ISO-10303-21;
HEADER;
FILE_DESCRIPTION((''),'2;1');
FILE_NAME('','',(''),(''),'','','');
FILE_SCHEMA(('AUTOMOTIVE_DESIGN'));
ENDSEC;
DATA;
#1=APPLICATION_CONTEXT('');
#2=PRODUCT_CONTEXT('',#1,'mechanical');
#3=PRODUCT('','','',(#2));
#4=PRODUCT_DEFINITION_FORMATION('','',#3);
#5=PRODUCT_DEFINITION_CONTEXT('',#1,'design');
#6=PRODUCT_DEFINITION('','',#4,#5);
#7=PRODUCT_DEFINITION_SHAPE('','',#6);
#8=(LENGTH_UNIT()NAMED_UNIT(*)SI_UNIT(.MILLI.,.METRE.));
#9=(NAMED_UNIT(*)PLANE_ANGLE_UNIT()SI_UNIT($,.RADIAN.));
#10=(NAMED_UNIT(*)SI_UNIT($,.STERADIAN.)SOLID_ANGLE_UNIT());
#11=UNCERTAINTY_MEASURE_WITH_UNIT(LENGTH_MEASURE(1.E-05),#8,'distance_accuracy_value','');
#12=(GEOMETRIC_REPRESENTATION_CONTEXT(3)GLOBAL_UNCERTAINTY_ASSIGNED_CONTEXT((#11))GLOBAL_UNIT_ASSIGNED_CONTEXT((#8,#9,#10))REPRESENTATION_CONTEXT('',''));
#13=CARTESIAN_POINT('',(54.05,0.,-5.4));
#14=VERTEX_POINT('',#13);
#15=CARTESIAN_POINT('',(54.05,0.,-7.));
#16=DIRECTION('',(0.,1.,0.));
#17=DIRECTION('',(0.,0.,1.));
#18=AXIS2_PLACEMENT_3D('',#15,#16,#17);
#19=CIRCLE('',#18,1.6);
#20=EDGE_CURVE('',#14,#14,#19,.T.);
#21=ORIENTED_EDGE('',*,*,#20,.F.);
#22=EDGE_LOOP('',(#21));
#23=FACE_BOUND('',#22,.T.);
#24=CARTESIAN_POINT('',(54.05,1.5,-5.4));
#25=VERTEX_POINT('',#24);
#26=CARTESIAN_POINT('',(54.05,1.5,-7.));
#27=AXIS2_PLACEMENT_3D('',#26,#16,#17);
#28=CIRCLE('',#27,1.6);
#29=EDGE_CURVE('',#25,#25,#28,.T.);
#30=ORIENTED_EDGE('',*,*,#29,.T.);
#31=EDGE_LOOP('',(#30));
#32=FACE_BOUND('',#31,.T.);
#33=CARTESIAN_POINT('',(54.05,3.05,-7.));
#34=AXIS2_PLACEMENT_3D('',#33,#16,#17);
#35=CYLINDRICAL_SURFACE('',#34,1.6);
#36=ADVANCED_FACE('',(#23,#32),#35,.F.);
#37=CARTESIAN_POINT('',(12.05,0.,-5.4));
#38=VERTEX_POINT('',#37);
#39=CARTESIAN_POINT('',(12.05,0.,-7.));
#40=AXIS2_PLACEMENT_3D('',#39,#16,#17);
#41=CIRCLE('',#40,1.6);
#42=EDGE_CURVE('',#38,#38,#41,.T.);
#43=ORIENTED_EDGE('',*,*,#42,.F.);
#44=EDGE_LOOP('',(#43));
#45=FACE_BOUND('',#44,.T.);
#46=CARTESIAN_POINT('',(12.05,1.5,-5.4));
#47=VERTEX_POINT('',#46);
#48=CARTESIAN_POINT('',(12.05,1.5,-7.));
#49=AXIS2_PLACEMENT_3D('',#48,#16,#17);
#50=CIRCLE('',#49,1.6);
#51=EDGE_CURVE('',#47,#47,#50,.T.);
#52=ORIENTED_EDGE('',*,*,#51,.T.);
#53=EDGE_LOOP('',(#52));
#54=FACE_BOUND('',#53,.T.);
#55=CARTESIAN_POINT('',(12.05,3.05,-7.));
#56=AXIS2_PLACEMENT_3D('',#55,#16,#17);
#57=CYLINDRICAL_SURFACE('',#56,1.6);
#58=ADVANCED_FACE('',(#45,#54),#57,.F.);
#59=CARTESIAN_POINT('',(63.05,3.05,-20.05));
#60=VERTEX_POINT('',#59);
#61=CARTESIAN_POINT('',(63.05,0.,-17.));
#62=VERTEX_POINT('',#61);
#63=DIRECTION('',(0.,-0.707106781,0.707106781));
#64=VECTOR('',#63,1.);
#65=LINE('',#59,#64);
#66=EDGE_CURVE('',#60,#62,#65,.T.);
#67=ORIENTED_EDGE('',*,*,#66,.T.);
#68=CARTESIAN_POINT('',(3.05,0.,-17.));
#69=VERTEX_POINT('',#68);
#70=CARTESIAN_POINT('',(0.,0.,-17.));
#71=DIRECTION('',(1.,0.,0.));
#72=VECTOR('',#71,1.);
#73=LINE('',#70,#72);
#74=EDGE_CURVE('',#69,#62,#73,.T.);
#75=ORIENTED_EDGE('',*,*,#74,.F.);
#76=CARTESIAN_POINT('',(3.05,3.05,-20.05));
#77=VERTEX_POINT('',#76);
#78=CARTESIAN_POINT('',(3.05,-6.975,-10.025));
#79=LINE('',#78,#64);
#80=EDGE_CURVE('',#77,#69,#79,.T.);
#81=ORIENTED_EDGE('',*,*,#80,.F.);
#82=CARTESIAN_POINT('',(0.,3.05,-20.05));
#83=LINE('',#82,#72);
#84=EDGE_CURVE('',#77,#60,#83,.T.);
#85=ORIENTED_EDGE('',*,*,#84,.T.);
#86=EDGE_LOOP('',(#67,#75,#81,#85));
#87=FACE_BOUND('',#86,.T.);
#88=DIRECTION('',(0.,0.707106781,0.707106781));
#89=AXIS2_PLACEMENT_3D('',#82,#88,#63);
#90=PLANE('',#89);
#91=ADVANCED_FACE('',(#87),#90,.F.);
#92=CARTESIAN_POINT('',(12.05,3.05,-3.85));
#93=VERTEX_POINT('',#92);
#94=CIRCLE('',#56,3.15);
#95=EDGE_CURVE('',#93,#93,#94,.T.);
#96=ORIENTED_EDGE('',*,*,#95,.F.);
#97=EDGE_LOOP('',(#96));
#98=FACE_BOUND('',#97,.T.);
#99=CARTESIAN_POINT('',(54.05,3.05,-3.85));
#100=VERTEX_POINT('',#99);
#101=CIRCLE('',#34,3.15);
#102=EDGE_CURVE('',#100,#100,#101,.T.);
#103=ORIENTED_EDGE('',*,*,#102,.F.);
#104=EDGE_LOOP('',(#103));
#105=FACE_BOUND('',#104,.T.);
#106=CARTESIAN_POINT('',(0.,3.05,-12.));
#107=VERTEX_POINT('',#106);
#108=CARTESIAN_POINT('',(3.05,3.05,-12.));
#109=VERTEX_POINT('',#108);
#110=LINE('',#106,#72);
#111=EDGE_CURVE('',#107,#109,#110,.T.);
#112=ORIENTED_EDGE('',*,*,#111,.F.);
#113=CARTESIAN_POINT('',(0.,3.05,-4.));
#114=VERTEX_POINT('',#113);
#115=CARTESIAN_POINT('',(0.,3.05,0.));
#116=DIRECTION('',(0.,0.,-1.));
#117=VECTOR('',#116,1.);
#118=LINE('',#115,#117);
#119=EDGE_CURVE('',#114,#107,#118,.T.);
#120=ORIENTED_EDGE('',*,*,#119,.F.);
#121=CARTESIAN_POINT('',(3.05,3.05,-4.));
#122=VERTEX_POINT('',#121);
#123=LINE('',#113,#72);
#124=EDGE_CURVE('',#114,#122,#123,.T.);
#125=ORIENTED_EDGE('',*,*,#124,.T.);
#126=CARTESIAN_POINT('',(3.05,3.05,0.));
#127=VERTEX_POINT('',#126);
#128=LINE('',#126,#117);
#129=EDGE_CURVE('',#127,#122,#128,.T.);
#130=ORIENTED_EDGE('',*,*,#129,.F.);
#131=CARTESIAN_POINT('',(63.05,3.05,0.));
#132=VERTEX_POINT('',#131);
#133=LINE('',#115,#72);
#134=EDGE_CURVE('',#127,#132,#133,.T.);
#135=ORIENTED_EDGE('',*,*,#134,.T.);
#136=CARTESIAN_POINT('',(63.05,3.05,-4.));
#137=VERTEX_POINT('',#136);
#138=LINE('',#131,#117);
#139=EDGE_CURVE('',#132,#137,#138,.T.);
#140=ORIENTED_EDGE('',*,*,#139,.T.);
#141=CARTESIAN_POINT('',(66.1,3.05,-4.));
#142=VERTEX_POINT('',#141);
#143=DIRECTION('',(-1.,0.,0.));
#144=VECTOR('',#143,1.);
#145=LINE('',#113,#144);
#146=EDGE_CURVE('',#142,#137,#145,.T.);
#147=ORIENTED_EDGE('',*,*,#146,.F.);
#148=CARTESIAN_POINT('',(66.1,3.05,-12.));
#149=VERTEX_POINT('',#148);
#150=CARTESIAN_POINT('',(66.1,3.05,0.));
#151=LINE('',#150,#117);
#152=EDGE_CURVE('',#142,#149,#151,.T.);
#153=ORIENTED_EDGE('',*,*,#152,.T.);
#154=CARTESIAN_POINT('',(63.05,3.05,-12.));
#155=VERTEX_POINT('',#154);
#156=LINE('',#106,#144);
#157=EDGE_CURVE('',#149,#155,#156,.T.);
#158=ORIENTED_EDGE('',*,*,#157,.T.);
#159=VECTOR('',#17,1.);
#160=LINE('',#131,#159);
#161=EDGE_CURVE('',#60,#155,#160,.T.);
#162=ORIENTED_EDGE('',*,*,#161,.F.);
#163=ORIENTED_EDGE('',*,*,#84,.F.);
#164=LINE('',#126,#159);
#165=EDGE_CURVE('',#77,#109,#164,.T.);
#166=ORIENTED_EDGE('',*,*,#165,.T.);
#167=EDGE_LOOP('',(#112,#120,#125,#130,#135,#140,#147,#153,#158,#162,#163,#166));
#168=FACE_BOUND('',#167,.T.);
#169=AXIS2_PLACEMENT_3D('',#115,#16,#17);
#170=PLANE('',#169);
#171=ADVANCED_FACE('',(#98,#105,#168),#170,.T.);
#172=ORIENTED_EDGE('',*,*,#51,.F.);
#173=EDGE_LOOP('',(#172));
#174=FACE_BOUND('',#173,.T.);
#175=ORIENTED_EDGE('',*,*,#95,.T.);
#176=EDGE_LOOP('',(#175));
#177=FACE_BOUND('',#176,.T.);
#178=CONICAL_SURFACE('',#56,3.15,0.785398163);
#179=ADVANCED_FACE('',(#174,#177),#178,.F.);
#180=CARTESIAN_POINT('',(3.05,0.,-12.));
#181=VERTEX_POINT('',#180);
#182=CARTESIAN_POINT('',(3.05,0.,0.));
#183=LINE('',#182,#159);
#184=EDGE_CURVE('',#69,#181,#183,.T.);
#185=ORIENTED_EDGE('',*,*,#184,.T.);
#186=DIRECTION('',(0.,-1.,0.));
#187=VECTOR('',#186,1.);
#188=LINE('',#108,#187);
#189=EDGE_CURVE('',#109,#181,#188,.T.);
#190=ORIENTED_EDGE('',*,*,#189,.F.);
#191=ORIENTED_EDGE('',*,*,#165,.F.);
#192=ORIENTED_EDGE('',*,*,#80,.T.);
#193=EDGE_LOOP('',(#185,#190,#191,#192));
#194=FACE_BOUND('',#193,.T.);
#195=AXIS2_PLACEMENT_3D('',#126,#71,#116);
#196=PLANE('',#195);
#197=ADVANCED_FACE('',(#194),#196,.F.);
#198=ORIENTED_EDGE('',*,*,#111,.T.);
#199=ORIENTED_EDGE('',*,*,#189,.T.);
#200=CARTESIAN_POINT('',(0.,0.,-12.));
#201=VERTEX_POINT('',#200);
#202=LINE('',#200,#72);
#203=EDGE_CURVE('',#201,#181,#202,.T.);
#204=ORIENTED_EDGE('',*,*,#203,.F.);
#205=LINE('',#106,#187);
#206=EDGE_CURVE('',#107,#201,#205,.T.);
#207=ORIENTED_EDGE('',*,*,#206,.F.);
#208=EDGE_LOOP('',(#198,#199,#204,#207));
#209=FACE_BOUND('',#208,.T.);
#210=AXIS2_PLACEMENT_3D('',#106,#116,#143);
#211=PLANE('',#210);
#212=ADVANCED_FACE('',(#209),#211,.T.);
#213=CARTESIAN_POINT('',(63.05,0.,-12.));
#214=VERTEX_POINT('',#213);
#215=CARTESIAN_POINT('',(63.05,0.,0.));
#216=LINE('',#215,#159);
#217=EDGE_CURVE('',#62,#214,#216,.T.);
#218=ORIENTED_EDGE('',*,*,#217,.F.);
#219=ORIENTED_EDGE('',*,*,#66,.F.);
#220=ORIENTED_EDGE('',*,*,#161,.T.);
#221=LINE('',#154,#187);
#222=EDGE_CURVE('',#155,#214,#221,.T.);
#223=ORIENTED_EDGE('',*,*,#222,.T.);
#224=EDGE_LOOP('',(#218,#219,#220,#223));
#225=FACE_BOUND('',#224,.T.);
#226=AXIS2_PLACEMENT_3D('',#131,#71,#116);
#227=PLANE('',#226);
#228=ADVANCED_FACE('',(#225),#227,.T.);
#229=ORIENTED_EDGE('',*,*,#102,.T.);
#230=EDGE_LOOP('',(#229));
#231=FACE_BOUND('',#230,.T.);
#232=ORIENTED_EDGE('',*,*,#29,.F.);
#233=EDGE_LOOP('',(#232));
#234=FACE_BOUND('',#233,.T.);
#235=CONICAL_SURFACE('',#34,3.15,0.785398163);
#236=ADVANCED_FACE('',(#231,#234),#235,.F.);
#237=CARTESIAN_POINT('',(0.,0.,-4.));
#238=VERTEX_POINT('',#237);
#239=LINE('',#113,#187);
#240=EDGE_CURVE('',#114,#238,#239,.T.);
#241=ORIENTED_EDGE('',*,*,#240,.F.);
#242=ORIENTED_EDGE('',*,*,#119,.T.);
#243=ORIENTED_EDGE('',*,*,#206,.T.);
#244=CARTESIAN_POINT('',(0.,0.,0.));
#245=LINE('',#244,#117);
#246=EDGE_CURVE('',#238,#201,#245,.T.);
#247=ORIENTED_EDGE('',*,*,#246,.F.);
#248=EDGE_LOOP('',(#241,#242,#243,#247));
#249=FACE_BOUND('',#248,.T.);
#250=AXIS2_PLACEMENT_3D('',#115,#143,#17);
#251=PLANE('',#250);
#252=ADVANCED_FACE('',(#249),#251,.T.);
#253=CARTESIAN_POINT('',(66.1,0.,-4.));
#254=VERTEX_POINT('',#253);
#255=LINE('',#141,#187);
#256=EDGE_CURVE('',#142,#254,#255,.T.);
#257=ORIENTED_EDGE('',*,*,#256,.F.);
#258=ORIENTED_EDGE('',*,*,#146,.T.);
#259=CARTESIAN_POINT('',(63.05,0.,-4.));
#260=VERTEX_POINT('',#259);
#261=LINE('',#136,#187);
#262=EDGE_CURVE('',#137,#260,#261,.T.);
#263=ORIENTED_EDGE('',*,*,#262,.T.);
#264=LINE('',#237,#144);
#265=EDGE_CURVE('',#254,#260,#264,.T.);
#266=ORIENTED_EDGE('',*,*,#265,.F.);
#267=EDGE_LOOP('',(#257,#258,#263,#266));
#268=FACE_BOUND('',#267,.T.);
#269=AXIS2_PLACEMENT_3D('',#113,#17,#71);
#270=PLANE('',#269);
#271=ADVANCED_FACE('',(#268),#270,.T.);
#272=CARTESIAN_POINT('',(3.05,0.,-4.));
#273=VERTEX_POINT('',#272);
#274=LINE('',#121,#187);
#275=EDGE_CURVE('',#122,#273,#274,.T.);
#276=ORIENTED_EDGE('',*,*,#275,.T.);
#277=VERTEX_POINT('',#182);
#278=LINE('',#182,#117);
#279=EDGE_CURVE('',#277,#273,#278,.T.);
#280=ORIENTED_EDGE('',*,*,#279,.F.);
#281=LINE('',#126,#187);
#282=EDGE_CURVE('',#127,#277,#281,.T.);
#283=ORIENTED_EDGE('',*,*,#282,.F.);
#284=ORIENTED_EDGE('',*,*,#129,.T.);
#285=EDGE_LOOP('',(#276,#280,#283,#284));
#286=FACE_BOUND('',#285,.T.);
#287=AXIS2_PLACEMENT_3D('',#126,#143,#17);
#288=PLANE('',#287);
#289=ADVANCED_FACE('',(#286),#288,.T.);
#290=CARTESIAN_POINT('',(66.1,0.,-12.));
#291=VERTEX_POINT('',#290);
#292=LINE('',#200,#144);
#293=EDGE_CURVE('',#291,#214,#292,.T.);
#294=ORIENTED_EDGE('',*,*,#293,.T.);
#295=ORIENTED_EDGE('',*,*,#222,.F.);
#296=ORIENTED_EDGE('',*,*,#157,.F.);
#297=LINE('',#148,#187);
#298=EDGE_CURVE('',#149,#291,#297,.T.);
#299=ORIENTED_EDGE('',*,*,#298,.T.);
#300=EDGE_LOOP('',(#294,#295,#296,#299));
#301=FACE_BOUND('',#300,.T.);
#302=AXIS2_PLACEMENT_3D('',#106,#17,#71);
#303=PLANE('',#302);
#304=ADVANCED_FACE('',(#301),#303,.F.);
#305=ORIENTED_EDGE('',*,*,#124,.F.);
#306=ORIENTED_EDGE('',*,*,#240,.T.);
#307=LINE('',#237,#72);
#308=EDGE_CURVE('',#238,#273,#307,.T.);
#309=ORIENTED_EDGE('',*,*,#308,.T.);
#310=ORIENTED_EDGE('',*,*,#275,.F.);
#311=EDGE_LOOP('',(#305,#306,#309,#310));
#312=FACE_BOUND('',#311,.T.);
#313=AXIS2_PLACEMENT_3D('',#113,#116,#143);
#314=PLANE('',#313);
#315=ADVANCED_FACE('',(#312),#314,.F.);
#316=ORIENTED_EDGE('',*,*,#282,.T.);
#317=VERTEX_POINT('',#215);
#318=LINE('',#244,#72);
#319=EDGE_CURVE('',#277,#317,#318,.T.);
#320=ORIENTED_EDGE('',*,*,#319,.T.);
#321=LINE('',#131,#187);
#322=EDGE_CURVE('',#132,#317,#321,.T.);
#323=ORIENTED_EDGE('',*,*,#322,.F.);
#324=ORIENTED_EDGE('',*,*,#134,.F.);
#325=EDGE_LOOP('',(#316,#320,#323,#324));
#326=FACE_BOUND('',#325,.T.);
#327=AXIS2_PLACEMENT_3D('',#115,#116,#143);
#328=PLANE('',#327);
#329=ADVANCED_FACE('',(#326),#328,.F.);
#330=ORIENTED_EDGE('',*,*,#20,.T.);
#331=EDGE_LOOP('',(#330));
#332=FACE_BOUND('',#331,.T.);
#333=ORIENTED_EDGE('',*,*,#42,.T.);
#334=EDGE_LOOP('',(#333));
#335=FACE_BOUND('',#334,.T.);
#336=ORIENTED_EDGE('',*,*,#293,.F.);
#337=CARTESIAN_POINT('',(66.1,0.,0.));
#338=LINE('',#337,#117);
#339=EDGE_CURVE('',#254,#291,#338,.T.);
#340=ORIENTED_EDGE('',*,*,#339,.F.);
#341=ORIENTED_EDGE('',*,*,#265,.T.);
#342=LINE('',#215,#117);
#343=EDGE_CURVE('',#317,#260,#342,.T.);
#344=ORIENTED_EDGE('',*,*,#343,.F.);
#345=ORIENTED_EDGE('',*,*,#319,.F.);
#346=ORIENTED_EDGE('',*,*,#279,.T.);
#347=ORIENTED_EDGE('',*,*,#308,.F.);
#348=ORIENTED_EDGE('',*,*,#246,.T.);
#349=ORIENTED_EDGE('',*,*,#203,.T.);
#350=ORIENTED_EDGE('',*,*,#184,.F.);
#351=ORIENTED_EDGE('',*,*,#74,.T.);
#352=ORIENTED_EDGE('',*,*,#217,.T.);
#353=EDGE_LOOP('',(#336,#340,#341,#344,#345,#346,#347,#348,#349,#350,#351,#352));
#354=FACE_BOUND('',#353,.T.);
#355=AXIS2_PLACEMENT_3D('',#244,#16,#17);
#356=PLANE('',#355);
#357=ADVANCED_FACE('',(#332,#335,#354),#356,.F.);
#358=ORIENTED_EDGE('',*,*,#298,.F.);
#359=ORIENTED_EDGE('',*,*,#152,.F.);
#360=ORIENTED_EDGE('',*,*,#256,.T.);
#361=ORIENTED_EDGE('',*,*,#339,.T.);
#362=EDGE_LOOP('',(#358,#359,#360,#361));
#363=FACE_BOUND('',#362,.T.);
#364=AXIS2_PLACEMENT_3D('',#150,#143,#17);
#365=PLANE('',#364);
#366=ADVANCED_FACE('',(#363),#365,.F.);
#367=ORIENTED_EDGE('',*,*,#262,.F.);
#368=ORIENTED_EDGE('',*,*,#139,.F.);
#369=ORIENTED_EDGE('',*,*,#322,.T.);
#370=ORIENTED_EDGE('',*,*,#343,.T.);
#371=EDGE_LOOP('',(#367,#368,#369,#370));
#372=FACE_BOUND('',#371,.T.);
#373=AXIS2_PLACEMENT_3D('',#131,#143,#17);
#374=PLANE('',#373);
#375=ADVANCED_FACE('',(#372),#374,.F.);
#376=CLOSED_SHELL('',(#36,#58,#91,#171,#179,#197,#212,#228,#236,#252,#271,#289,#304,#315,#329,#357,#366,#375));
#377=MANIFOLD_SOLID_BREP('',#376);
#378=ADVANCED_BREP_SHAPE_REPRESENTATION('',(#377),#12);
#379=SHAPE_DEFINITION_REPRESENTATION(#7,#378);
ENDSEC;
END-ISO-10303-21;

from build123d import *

# Parameters (mm, degrees)
SKETCH1_R           = 1.5
BOSS_EXTRUDE1_DEPTH = 3.05
CUT_EXTRUDE1_DEPTH  = 67.231469106


with BuildPart() as part:
    # Sketch1 → Boss-Extrude1 (new body)
    with BuildSketch(Plane(origin=(0, 0, 0), x_dir=(1, 0, 0), z_dir=(0, 1, 0))):
        Polygon((3.05, 20.05), (3.05, 12), (0, 12), (0, 4), (3.05, 4), (3.05, 0), (63.05, 0), (63.05, 4), (66.1, 4), (66.1, 12), (63.05, 12), (63.05, 20.05), align=None)
        with Locations(Location((54.05, 7, 0), (0, 0, 270))):
            Circle(SKETCH1_R, mode=Mode.SUBTRACT)
        with Locations(Location((12.05, 7, 0), (0, 0, 270))):
            Circle(SKETCH1_R, mode=Mode.SUBTRACT)
    extrude(amount=BOSS_EXTRUDE1_DEPTH)

    # Sketch5 → CSK for M3 Flat Head Machine Screw1 (revolve, cut)
    with BuildSketch(Plane(origin=(12.05, 3.05, -7), x_dir=(0, 0, 1), z_dir=(1, 0, 0))):
        Polygon((0, 0), (0, 3.05), (1.6, 3.05), (1.6, 1.55), (3.15, 0), align=None)
    revolve(axis=Axis((12.05, 9.4, -7), (0, -1, 0)), mode=Mode.SUBTRACT)

    # Sketch7 → CSK for M3 Flat Head Machine Screw2 (revolve, cut)
    with BuildSketch(Plane(origin=(54.05, 3.05, -7), x_dir=(0, 0, 1), z_dir=(1, 0, 0))):
        Polygon((0, 0), (0, 3.05), (1.6, 3.05), (1.6, 1.55), (3.15, 0), align=None)
    revolve(axis=Axis((54.05, 9.4, -7), (0, -1, 0)), mode=Mode.SUBTRACT)

    # Sketch8 → Cut-Extrude1 (cut, through all)
    with BuildSketch(Plane(origin=(63.05, 0, 0), x_dir=(0, 0, -1), z_dir=(1, 0, 0))):
        Polygon((20.05, 3.05), (17, 0), (20.05, 0), align=None)
    extrude(amount=-CUT_EXTRUDE1_DEPTH, mode=Mode.SUBTRACT)


solid = part.part
